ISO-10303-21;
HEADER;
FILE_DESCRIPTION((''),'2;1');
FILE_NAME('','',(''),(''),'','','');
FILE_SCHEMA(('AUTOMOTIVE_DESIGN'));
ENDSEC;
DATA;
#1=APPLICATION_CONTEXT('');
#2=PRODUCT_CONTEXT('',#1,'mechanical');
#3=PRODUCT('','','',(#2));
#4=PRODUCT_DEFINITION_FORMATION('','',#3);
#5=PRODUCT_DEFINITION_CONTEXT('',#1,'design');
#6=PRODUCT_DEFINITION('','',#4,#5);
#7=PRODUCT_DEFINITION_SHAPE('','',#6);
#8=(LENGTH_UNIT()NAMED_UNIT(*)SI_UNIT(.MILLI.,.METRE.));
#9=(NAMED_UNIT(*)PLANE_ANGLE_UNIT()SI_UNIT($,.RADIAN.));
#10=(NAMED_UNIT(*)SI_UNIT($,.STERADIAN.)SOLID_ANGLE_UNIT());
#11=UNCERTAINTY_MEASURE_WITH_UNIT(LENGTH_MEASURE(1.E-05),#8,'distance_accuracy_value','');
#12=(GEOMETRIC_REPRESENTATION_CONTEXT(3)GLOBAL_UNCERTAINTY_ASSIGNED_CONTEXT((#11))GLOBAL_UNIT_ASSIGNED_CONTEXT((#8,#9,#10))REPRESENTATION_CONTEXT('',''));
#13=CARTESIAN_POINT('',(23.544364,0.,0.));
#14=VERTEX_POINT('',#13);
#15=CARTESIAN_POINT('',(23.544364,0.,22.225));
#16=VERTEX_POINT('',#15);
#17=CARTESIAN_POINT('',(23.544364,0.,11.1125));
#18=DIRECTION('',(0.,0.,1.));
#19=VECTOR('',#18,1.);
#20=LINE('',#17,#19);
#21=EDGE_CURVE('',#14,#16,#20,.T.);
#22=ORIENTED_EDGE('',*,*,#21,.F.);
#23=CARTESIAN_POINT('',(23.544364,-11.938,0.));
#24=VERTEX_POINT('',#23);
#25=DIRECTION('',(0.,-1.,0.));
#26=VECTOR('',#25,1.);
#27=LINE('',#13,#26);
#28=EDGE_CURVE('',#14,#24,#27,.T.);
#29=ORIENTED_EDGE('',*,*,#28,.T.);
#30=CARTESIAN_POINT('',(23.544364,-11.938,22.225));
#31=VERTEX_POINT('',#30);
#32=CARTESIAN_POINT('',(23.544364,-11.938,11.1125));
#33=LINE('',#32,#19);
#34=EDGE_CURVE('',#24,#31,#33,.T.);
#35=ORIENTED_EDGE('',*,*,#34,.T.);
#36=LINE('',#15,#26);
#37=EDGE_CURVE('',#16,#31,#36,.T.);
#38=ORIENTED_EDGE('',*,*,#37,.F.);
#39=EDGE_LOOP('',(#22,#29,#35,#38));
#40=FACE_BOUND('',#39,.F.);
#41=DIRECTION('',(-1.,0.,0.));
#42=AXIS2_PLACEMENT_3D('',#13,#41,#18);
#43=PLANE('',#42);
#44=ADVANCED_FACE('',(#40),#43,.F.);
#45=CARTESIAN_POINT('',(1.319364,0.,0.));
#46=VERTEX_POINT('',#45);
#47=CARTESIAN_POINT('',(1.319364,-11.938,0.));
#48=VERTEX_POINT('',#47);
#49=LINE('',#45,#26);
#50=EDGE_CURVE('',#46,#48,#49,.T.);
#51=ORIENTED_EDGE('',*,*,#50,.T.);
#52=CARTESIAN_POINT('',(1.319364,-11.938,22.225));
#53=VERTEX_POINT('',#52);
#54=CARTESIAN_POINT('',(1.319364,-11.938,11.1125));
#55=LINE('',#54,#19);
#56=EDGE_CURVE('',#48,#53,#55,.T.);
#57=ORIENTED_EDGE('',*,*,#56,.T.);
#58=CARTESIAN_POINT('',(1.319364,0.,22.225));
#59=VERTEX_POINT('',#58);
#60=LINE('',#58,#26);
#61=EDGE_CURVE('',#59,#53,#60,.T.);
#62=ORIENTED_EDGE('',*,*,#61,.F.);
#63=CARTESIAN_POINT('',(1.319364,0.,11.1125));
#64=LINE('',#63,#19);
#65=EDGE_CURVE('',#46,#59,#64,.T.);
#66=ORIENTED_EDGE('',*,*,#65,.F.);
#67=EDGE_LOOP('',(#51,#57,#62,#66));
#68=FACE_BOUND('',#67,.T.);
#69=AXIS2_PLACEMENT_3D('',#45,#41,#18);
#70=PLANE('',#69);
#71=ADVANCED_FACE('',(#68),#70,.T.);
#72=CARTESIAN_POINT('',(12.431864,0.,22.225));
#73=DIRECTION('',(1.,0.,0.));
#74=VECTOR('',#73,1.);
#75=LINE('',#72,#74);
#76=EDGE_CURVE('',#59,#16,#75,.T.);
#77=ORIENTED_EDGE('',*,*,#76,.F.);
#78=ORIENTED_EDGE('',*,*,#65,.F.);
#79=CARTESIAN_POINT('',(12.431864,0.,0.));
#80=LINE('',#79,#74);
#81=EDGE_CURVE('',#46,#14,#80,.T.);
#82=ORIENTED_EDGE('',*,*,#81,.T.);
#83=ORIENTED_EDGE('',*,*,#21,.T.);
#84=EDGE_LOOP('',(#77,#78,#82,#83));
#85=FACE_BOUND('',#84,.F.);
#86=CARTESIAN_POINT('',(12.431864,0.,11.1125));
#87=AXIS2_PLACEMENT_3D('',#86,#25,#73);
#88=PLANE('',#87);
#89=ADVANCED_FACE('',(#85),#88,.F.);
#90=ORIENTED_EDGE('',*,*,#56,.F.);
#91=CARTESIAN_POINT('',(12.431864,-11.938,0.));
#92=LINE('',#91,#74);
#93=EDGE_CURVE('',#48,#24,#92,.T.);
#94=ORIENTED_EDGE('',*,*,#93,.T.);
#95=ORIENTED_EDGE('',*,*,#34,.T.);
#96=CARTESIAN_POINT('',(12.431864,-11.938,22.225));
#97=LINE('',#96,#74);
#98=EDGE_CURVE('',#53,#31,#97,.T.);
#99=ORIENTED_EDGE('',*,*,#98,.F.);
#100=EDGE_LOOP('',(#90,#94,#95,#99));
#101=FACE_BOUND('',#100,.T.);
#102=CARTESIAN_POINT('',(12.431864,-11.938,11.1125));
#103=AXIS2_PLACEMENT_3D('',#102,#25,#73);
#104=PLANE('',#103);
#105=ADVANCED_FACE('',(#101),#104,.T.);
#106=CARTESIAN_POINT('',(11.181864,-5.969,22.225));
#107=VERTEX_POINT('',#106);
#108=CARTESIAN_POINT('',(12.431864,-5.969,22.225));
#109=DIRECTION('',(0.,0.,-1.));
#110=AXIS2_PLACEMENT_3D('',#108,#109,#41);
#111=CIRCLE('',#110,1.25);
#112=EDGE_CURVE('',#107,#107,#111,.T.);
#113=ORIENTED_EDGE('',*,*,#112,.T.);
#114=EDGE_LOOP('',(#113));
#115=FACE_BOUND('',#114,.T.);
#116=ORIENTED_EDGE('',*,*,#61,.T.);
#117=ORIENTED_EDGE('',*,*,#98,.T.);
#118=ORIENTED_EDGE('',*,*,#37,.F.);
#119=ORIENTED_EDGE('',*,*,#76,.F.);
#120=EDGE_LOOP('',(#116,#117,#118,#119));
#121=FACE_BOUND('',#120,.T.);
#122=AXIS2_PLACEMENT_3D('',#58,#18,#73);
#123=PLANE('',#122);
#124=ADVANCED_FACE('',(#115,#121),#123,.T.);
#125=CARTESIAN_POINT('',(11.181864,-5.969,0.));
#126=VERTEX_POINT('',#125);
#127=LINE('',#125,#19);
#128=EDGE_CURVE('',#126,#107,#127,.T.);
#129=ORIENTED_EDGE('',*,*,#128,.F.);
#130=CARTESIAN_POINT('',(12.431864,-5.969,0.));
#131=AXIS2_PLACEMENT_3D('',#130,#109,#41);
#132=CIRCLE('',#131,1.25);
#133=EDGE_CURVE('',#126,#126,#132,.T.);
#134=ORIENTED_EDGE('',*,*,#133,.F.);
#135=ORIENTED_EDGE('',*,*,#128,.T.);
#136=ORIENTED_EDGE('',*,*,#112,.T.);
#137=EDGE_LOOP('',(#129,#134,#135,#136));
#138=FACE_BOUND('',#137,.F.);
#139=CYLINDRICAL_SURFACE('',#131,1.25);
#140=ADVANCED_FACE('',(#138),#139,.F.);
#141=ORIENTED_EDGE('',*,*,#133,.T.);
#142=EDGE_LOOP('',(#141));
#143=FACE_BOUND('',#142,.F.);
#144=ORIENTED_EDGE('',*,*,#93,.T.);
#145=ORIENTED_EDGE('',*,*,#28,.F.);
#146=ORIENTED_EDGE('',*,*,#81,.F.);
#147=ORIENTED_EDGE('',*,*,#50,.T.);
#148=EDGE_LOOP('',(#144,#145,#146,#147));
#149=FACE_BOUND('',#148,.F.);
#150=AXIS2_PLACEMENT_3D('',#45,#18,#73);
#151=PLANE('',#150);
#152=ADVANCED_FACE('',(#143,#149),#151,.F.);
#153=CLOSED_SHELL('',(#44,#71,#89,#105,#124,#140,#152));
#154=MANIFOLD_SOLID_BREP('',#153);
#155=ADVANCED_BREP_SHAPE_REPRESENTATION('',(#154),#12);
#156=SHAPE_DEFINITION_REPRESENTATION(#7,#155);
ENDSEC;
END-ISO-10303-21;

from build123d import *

# Parameters (mm, degrees)
F0_W     = 22.225
F0_H     = 22.225
F1_DEPTH = 11.938
F3_DEPTH = 25.4


with BuildPart() as f1:
    # F0 (on Front) → F1 (new body)
    with BuildSketch(Plane.XZ):
        with Locations((12.431864, 11.1125)):
            Rectangle(F0_W, F0_H)
    extrude(amount=F1_DEPTH)

    # F2 (on face) → F3 (cut)
    with BuildSketch(Plane(origin=(0, 0, 0), x_dir=(1, 0, 0), z_dir=(0, 0, -1))):
        with BuildLine():
            ThreePointArc((13.681864, 5.969), (12.431864, 7.219), (11.181864, 5.969))
            ThreePointArc((11.181864, 5.969), (12.431864, 4.719), (13.681864, 5.969))
        make_face()
    extrude(amount=-F3_DEPTH, mode=Mode.SUBTRACT)


solid = f1.part
